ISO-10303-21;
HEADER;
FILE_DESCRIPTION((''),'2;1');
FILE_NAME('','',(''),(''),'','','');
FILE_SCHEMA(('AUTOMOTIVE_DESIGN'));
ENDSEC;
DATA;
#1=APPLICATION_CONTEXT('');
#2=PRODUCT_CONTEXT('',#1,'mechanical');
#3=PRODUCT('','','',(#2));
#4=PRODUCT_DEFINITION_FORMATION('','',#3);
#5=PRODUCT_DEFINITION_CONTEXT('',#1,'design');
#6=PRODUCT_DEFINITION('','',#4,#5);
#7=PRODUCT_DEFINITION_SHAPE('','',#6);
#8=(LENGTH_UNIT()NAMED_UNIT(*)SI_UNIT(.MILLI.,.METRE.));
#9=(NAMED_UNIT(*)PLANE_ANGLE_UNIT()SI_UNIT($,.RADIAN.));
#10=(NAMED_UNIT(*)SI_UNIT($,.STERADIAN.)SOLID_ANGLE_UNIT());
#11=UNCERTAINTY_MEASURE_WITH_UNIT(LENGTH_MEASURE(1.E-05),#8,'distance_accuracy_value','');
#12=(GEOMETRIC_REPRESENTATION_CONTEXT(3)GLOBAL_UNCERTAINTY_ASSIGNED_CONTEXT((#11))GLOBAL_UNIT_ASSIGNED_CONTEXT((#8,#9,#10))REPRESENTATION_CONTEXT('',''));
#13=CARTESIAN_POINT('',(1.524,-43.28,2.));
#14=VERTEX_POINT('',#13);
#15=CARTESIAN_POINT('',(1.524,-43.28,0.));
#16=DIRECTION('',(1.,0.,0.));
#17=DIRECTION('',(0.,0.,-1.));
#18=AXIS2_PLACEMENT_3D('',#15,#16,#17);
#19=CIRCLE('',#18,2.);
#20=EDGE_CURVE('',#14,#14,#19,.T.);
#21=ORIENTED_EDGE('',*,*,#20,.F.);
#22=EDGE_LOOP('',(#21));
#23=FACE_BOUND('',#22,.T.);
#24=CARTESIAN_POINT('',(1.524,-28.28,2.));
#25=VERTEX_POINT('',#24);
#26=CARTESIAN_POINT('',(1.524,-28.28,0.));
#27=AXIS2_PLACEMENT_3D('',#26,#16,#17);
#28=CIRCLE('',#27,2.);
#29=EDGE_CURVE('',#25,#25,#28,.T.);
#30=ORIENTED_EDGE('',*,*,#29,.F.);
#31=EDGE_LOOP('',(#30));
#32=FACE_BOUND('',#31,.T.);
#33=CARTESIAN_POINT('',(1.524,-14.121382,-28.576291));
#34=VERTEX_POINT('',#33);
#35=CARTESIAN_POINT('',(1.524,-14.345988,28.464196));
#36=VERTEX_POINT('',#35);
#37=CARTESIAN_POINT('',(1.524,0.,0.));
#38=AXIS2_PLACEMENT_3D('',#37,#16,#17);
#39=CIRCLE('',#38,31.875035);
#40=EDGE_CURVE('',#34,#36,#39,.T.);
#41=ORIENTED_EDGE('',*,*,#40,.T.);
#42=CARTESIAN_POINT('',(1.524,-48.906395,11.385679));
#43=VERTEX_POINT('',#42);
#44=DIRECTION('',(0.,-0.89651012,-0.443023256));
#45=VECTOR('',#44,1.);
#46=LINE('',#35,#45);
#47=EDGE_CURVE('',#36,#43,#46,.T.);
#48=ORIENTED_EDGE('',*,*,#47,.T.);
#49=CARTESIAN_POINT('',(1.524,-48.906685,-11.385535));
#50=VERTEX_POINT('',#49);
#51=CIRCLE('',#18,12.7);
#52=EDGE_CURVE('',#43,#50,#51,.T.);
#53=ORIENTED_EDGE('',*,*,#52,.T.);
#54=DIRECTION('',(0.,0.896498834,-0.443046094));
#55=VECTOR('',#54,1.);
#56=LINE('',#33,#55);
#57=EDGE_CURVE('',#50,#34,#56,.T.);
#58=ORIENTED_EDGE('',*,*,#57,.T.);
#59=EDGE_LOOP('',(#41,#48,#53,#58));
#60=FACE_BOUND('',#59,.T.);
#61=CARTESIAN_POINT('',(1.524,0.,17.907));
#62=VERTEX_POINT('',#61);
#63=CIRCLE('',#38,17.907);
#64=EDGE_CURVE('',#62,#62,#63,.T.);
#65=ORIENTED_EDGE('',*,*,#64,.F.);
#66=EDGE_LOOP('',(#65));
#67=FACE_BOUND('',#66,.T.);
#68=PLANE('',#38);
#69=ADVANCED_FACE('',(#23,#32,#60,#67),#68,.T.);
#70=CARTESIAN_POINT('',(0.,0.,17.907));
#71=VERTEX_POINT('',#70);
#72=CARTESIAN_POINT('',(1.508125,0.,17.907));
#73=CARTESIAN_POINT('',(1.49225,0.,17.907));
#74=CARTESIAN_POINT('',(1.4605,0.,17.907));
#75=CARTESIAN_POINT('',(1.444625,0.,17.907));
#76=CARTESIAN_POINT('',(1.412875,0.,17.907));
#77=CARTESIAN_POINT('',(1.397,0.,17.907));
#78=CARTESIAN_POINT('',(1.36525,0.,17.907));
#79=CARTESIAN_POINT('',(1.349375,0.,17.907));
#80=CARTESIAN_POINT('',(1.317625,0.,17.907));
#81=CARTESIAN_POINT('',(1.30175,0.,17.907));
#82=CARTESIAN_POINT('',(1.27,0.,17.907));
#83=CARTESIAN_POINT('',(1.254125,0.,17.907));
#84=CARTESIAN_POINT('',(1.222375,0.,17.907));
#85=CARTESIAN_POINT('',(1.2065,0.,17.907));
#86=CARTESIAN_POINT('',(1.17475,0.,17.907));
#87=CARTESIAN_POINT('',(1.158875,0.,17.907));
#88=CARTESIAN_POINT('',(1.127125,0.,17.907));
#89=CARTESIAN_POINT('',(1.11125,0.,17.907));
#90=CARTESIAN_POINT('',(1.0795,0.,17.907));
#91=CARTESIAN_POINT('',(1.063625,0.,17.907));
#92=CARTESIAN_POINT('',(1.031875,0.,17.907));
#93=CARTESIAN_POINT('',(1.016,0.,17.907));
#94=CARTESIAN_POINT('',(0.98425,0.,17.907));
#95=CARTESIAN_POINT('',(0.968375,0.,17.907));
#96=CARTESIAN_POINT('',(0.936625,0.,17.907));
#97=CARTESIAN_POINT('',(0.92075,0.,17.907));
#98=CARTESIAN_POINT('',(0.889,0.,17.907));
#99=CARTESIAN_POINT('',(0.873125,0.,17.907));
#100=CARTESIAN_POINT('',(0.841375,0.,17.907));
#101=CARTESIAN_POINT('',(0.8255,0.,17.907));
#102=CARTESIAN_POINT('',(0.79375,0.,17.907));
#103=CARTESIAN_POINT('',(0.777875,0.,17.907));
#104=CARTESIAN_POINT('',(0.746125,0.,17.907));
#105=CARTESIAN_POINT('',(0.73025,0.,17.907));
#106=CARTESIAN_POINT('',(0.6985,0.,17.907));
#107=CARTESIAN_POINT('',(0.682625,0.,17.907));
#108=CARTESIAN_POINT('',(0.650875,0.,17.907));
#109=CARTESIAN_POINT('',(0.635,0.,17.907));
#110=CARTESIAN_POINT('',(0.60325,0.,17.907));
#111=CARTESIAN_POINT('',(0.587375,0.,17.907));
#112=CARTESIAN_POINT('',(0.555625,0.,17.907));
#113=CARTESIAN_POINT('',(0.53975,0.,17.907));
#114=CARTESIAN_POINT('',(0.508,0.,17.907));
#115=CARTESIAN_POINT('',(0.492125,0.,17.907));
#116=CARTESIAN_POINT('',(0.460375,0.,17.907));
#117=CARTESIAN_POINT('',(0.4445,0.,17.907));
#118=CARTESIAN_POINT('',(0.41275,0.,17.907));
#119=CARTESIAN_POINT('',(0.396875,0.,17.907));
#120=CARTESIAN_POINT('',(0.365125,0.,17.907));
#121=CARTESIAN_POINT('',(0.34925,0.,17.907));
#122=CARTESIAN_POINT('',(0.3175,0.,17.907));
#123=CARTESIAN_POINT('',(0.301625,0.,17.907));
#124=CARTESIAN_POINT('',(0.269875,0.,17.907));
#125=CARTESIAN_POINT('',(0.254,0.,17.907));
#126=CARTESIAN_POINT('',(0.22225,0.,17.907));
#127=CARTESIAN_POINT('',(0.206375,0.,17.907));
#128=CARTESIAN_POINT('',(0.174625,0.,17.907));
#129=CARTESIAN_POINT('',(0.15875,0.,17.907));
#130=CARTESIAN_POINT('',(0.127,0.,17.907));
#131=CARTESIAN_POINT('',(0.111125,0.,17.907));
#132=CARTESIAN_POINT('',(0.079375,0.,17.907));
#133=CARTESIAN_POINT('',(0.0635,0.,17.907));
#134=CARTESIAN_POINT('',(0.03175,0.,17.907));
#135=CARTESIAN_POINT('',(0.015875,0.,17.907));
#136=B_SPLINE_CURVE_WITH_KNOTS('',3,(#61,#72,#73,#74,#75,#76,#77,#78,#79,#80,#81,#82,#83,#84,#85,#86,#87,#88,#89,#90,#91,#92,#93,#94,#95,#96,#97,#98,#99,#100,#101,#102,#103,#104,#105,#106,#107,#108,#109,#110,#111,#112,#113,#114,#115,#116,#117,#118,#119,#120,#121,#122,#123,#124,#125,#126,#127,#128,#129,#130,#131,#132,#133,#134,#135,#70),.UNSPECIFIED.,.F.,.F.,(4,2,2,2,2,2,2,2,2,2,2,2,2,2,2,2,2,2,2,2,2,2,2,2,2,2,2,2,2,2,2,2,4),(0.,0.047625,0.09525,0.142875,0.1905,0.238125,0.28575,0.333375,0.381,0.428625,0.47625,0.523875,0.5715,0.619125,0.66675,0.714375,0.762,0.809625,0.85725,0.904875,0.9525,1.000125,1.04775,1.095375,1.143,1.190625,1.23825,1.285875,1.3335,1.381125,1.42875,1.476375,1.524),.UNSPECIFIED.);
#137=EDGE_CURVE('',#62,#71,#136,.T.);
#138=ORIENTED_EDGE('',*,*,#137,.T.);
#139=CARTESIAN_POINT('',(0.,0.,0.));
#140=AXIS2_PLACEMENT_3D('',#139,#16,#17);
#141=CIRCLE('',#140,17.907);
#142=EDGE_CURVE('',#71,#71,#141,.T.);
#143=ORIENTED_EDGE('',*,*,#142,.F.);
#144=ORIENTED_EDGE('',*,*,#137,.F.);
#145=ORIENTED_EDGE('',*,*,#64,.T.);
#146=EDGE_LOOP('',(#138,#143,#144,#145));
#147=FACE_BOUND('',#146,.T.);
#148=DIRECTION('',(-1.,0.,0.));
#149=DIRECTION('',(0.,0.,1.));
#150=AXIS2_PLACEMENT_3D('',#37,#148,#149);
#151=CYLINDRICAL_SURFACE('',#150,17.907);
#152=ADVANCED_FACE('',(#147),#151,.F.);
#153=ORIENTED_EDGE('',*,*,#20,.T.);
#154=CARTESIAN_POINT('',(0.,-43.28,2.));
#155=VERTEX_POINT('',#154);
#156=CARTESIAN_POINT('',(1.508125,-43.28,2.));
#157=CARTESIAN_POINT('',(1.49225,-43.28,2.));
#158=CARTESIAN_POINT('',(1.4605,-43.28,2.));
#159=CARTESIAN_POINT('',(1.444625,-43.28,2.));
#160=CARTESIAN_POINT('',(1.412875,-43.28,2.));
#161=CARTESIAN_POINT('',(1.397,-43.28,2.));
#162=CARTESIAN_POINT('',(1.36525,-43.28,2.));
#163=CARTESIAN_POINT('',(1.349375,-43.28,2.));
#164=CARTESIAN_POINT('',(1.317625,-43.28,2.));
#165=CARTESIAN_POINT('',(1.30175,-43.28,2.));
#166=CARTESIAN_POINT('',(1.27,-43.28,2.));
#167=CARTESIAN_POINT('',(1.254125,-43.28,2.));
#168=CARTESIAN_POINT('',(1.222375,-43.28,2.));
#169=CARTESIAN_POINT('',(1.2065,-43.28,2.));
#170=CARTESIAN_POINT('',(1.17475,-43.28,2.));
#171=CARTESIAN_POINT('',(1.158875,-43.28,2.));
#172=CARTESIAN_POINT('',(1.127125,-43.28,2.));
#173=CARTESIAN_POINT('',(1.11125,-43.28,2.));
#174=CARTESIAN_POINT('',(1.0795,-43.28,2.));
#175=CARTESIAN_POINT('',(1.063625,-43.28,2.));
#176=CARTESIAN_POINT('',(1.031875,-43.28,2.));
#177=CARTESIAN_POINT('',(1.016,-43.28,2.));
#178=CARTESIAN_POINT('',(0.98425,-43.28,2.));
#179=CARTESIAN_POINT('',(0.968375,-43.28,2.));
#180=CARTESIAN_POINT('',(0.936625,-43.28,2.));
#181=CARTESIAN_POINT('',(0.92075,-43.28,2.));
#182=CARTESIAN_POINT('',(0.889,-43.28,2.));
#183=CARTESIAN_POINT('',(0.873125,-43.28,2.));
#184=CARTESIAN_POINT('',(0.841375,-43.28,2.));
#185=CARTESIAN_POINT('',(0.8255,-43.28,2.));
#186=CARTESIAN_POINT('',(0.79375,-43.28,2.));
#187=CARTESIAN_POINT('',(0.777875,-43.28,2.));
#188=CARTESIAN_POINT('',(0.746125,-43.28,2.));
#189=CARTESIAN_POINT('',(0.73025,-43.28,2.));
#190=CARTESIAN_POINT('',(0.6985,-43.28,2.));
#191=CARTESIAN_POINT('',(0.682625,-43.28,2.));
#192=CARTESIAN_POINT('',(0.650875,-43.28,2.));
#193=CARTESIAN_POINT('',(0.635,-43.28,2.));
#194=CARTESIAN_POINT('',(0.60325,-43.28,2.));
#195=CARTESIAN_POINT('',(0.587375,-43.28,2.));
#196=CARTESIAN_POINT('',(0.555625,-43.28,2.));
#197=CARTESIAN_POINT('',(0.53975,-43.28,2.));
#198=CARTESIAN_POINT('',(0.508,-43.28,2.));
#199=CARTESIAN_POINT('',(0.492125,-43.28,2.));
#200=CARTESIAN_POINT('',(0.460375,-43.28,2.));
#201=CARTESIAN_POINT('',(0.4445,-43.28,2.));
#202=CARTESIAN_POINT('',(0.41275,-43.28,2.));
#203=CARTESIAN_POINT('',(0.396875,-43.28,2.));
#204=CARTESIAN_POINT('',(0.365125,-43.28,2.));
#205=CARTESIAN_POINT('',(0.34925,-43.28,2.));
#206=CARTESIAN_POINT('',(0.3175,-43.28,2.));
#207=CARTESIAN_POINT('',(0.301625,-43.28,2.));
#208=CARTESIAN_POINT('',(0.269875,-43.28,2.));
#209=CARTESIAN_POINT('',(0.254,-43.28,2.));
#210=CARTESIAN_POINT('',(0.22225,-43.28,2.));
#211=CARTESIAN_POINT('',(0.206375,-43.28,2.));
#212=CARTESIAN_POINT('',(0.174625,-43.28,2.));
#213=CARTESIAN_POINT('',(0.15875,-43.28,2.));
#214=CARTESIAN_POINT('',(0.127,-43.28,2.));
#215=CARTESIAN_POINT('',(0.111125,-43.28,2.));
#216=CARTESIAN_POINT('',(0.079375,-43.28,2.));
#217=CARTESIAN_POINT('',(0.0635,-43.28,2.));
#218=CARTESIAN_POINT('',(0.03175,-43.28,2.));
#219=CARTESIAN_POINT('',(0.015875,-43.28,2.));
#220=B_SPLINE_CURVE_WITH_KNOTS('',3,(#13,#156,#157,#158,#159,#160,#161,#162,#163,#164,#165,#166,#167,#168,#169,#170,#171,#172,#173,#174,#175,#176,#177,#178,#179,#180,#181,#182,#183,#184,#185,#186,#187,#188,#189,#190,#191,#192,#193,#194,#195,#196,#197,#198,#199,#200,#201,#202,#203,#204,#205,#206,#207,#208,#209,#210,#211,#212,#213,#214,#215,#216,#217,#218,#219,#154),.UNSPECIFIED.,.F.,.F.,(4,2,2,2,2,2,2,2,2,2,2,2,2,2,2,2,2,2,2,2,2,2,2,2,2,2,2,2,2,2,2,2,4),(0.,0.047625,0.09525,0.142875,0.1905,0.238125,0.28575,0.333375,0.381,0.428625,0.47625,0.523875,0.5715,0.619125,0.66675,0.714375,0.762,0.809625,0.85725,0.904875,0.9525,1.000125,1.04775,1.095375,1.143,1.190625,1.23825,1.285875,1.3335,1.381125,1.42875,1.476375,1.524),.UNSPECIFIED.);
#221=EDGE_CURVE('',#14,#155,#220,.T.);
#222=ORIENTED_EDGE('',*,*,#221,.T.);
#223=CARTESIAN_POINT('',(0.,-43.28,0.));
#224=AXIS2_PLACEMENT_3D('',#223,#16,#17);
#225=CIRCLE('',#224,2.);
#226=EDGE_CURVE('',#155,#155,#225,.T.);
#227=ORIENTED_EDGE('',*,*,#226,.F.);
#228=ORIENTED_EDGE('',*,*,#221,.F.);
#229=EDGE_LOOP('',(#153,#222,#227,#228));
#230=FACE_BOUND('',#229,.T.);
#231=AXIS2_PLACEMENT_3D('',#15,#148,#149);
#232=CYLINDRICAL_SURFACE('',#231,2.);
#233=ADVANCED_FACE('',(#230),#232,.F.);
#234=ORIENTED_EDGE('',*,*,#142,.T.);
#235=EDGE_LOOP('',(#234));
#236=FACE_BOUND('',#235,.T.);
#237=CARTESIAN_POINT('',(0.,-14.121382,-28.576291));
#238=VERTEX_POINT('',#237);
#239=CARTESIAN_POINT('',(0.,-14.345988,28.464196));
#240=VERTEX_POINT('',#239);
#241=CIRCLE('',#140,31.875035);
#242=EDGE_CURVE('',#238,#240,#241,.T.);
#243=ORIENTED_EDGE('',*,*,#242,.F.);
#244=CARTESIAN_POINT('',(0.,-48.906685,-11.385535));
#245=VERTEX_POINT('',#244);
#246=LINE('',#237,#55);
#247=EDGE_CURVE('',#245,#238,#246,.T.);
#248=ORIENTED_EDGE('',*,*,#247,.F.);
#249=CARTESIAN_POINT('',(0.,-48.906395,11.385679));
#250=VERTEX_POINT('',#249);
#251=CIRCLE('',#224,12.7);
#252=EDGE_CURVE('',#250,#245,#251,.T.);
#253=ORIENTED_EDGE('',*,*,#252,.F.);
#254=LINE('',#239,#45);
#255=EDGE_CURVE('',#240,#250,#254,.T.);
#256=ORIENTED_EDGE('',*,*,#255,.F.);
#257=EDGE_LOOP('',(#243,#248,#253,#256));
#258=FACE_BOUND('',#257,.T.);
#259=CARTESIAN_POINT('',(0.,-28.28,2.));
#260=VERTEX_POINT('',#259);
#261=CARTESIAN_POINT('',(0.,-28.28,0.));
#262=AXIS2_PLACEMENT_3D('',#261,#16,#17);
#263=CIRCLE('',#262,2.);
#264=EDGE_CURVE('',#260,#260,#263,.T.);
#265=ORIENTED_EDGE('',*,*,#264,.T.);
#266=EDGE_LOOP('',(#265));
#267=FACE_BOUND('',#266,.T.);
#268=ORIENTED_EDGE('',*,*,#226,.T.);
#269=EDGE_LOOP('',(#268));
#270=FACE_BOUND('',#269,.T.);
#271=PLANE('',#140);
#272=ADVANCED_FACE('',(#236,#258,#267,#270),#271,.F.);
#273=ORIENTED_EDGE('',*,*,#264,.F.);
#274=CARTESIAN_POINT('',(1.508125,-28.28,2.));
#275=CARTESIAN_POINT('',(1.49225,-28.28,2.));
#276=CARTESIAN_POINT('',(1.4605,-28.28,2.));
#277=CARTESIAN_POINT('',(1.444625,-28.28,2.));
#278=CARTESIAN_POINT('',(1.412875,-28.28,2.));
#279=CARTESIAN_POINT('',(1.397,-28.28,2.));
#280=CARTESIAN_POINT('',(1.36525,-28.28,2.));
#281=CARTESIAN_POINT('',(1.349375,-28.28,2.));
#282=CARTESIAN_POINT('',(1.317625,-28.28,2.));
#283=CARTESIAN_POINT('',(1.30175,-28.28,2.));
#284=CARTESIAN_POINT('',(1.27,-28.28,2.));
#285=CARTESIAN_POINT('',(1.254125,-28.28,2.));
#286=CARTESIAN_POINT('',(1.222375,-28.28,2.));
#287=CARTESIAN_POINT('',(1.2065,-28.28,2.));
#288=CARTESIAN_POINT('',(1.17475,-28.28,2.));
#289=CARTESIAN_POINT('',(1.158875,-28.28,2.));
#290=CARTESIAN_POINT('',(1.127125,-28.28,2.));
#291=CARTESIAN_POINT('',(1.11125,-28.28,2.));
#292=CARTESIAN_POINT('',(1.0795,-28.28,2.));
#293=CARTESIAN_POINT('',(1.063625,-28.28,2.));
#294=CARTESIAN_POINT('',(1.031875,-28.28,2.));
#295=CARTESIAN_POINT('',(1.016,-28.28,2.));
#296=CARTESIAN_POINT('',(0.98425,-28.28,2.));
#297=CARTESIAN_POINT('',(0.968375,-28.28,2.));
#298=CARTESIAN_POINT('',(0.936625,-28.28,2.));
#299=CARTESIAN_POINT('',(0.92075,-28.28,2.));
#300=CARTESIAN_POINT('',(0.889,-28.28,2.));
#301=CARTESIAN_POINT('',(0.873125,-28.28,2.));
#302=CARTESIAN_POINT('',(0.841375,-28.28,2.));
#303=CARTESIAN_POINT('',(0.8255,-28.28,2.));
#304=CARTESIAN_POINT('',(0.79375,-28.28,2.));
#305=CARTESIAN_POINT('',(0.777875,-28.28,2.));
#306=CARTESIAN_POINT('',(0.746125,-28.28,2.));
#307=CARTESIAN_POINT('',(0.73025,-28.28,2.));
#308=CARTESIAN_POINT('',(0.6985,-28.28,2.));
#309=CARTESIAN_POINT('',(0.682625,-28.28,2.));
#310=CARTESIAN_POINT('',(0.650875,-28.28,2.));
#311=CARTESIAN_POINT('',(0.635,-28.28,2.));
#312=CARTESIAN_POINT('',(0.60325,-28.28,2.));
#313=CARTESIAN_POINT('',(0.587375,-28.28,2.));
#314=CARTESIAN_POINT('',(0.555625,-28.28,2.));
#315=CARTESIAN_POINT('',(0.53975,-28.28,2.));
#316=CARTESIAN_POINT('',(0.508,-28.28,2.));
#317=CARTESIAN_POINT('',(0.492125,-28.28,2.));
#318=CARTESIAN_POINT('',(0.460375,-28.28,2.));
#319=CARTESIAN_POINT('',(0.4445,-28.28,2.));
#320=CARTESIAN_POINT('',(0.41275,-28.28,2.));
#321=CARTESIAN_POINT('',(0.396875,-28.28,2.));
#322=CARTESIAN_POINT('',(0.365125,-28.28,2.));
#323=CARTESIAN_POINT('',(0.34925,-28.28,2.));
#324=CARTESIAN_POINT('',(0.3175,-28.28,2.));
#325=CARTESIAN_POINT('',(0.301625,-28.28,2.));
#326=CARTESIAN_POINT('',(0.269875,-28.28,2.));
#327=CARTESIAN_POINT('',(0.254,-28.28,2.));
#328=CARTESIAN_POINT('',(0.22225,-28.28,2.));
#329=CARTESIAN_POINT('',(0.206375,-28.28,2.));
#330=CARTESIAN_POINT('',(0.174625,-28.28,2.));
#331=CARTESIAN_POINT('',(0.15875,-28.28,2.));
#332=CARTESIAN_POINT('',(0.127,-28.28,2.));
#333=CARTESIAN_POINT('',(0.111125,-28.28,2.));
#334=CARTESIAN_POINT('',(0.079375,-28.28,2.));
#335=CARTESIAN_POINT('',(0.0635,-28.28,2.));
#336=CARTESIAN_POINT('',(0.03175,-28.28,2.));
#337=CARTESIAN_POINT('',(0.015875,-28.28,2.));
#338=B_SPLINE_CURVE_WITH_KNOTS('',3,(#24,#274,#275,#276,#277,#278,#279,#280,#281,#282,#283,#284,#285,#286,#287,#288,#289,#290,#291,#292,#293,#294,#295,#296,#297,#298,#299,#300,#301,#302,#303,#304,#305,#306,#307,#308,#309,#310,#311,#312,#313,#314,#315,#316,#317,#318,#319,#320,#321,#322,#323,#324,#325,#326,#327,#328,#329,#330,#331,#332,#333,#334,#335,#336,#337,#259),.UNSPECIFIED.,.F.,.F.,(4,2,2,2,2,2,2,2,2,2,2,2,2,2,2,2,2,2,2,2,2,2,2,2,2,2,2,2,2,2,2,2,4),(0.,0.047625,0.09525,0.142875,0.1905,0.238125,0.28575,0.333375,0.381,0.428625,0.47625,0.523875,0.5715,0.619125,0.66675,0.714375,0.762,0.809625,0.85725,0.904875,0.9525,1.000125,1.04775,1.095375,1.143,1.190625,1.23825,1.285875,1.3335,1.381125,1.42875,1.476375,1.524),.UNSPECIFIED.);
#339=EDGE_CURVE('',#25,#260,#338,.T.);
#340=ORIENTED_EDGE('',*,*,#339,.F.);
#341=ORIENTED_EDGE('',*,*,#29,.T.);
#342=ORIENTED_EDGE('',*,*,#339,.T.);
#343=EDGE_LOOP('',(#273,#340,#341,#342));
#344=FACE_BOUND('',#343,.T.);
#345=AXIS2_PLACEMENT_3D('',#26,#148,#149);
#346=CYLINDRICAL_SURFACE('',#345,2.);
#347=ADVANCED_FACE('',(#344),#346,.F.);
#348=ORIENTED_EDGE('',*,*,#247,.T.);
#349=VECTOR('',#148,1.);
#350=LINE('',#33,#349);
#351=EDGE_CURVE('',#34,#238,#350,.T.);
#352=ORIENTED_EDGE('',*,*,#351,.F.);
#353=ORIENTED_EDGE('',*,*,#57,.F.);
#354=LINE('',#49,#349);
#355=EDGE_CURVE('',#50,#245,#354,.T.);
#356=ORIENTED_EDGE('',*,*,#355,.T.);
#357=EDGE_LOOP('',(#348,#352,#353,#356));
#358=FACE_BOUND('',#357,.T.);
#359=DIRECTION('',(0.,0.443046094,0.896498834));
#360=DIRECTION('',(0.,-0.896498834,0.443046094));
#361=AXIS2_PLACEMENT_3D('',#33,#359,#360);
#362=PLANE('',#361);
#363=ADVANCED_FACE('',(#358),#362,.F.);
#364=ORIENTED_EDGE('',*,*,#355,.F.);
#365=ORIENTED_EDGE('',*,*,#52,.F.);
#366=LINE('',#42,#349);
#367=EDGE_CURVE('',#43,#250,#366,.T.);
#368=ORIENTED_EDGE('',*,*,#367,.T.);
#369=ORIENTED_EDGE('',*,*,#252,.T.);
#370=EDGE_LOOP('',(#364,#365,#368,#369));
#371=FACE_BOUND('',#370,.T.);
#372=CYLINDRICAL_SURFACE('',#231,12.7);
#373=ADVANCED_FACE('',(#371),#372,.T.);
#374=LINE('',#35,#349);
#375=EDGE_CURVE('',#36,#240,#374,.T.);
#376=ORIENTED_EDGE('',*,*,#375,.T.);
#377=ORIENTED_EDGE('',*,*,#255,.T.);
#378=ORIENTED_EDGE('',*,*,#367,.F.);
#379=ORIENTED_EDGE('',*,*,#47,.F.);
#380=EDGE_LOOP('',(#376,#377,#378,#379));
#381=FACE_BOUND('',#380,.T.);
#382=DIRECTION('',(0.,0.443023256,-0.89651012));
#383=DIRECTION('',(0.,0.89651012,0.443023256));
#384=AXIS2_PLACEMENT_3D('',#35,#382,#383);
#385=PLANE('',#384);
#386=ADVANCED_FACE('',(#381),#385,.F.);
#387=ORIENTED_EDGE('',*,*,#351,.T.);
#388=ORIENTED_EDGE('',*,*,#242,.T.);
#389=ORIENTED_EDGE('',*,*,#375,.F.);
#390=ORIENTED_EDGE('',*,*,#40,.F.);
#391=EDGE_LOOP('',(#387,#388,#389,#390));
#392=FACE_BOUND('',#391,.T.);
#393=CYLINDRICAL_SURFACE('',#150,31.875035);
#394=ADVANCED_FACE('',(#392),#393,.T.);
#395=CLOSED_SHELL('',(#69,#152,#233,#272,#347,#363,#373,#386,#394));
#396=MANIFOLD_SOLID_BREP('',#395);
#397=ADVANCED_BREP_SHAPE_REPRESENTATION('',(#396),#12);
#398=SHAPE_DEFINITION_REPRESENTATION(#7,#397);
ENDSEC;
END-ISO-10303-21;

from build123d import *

# Parameters (mm, degrees)
SKETCH3_R           = 17.907
SKETCH3_R_2         = 2
BOSS_EXTRUDE2_DEPTH = 1.524


with BuildPart() as part:
    # Sketch3 → Boss-Extrude2 (new body)
    with BuildSketch(Plane(origin=(0, 0, 0), x_dir=(0, 0, -1), z_dir=(1, 0, 0))):
        with BuildLine():
            Line((28.576291406, -14.121381766), (11.385535187, -48.906685393))
            ThreePointArc((11.385535187, -48.906685393), (-0.000161764, -55.979999999), (-11.385678521, -48.906395349))
            Line((-11.385678521, -48.906395349), (-28.464196302, -14.345988372))
            ThreePointArc((-28.464196302, -14.345988372), (-0.12551239, 31.874787844), (28.576291406, -14.121381766))
        make_face()
        with Locations(Location((0, 0, 0), (0, 0, 180))):
            Circle(SKETCH3_R, mode=Mode.SUBTRACT)
        with Locations(Location((0, -28.28, 0), (0, 0, 180))):
            Circle(SKETCH3_R_2, mode=Mode.SUBTRACT)
        with Locations(Location((0, -43.28, 0), (0, 0, 180))):
            Circle(SKETCH3_R_2, mode=Mode.SUBTRACT)
    extrude(amount=BOSS_EXTRUDE2_DEPTH)


solid = part.part
